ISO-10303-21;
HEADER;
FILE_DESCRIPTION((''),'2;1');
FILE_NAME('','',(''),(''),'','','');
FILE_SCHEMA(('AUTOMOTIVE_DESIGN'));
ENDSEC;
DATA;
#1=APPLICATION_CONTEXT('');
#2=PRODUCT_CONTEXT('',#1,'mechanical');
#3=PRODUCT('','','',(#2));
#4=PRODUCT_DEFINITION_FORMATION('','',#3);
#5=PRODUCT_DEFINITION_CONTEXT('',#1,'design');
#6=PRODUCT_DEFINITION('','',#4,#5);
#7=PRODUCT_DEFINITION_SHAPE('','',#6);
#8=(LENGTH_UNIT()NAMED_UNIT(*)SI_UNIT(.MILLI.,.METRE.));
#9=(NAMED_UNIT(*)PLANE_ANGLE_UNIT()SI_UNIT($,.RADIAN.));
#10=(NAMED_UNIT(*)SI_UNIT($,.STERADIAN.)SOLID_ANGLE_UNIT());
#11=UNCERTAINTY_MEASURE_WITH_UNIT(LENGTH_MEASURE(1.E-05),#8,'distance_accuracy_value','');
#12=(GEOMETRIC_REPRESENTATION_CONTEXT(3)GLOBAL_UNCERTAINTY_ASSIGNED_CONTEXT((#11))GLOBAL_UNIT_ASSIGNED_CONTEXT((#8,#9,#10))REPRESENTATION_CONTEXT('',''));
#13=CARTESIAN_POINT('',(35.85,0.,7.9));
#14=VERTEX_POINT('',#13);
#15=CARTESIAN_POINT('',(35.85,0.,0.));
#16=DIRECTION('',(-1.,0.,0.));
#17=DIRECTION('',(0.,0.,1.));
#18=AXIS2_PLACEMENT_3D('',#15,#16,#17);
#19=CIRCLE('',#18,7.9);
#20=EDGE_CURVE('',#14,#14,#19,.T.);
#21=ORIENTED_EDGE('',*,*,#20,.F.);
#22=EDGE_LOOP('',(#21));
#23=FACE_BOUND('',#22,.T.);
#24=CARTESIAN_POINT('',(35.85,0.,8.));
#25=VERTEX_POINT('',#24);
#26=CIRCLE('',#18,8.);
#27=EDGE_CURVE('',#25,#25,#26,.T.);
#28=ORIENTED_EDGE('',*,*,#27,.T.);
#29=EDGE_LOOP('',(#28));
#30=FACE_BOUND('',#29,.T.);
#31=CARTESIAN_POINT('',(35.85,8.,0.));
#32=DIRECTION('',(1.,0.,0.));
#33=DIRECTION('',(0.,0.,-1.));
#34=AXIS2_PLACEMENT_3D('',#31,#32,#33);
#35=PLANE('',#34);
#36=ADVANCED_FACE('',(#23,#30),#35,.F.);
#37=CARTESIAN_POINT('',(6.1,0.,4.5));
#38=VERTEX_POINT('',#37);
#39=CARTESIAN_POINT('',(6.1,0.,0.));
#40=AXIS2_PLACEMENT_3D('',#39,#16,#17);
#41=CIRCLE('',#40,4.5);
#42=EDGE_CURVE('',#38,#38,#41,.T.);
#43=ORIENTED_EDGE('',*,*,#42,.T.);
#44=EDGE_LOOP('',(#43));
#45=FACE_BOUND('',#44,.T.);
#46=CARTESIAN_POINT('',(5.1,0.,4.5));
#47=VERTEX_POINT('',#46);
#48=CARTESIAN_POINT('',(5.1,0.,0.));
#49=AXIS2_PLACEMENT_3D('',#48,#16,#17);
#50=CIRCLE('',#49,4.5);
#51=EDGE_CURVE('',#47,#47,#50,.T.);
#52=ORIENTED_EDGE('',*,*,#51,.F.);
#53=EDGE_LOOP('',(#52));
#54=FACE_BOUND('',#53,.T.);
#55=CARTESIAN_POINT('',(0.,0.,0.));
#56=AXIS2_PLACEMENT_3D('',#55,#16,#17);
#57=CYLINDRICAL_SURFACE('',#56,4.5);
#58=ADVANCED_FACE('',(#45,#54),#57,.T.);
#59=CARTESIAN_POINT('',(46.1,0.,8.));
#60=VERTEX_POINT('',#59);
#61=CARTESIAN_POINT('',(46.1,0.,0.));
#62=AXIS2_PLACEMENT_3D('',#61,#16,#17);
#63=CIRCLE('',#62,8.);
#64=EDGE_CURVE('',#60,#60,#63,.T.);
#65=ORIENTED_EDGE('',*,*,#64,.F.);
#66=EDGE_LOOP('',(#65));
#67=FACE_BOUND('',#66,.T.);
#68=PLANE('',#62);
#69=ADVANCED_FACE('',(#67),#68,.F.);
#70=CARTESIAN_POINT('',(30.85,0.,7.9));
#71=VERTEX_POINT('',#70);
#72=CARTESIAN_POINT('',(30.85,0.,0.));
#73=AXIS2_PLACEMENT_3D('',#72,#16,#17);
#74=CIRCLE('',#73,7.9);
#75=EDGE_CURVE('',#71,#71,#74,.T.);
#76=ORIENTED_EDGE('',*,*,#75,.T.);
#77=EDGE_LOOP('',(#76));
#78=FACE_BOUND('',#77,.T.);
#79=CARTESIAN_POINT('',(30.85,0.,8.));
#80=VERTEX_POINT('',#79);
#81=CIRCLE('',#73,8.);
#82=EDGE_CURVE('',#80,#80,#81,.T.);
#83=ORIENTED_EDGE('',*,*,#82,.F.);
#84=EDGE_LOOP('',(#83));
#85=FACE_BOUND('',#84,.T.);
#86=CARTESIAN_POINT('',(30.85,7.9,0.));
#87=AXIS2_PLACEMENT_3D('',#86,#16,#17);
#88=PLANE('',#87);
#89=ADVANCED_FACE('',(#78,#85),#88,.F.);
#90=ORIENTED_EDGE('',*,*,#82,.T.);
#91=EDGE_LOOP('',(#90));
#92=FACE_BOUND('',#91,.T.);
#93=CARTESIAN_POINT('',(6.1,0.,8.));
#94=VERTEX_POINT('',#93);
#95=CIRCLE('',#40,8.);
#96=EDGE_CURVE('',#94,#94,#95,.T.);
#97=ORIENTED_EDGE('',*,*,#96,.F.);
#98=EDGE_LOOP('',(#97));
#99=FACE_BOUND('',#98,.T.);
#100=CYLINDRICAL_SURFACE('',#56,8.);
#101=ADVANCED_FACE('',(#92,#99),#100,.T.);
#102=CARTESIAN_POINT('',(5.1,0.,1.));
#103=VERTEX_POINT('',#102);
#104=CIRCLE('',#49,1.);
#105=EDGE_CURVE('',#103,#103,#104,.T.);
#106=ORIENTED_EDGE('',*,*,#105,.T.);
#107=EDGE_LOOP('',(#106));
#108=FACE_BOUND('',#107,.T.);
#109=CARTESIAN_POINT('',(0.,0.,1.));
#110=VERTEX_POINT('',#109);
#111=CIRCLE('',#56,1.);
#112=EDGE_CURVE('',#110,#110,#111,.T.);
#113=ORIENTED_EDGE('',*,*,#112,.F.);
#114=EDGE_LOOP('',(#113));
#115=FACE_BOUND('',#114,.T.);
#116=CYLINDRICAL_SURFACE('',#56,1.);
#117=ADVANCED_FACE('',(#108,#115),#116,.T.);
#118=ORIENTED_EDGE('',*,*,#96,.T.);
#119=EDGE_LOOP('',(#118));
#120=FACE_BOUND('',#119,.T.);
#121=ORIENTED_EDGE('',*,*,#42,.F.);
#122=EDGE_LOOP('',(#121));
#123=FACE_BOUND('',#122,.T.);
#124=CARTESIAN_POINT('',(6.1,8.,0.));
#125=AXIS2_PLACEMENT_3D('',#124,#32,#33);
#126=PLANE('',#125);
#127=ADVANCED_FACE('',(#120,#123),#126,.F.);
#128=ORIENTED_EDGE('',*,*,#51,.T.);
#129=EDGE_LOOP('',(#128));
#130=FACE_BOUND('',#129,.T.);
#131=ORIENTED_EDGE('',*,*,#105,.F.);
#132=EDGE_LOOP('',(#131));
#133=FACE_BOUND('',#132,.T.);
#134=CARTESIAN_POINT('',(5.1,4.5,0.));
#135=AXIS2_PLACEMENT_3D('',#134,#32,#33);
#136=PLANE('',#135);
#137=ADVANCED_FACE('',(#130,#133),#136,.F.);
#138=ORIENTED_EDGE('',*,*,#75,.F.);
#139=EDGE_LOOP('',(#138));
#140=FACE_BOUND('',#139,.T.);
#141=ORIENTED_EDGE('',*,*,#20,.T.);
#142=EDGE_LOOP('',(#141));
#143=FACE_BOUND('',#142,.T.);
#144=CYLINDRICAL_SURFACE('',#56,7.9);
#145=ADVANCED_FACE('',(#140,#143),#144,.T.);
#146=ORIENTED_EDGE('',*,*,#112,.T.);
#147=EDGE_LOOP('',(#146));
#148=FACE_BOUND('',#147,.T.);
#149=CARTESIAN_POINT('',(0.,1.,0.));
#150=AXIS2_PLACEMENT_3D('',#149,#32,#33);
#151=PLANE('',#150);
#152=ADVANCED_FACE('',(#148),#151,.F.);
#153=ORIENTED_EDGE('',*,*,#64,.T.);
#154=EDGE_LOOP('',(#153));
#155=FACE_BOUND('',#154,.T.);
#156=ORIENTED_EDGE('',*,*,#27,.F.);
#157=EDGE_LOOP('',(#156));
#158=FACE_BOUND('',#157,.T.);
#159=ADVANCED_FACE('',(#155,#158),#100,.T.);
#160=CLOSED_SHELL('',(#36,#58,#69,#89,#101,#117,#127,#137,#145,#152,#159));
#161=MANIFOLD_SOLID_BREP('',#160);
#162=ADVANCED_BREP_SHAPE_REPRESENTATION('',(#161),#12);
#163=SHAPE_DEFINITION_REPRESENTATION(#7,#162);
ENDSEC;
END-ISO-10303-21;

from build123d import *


with BuildPart() as part:
    # Sketch2 → Revolve1 (revolve)
    with BuildSketch(Plane.XY):
        Polygon((0, 0), (46.1, 0), (46.1, 8), (35.85, 8), (35.85, 7.9), (30.85, 7.9), (30.85, 8), (6.1, 8), (6.1, 4.5), (5.1, 4.5), (5.1, 1), (0, 1), align=None)
    revolve(axis=Axis((0, 0, 0), (1, 0, 0)))


solid = part.part
